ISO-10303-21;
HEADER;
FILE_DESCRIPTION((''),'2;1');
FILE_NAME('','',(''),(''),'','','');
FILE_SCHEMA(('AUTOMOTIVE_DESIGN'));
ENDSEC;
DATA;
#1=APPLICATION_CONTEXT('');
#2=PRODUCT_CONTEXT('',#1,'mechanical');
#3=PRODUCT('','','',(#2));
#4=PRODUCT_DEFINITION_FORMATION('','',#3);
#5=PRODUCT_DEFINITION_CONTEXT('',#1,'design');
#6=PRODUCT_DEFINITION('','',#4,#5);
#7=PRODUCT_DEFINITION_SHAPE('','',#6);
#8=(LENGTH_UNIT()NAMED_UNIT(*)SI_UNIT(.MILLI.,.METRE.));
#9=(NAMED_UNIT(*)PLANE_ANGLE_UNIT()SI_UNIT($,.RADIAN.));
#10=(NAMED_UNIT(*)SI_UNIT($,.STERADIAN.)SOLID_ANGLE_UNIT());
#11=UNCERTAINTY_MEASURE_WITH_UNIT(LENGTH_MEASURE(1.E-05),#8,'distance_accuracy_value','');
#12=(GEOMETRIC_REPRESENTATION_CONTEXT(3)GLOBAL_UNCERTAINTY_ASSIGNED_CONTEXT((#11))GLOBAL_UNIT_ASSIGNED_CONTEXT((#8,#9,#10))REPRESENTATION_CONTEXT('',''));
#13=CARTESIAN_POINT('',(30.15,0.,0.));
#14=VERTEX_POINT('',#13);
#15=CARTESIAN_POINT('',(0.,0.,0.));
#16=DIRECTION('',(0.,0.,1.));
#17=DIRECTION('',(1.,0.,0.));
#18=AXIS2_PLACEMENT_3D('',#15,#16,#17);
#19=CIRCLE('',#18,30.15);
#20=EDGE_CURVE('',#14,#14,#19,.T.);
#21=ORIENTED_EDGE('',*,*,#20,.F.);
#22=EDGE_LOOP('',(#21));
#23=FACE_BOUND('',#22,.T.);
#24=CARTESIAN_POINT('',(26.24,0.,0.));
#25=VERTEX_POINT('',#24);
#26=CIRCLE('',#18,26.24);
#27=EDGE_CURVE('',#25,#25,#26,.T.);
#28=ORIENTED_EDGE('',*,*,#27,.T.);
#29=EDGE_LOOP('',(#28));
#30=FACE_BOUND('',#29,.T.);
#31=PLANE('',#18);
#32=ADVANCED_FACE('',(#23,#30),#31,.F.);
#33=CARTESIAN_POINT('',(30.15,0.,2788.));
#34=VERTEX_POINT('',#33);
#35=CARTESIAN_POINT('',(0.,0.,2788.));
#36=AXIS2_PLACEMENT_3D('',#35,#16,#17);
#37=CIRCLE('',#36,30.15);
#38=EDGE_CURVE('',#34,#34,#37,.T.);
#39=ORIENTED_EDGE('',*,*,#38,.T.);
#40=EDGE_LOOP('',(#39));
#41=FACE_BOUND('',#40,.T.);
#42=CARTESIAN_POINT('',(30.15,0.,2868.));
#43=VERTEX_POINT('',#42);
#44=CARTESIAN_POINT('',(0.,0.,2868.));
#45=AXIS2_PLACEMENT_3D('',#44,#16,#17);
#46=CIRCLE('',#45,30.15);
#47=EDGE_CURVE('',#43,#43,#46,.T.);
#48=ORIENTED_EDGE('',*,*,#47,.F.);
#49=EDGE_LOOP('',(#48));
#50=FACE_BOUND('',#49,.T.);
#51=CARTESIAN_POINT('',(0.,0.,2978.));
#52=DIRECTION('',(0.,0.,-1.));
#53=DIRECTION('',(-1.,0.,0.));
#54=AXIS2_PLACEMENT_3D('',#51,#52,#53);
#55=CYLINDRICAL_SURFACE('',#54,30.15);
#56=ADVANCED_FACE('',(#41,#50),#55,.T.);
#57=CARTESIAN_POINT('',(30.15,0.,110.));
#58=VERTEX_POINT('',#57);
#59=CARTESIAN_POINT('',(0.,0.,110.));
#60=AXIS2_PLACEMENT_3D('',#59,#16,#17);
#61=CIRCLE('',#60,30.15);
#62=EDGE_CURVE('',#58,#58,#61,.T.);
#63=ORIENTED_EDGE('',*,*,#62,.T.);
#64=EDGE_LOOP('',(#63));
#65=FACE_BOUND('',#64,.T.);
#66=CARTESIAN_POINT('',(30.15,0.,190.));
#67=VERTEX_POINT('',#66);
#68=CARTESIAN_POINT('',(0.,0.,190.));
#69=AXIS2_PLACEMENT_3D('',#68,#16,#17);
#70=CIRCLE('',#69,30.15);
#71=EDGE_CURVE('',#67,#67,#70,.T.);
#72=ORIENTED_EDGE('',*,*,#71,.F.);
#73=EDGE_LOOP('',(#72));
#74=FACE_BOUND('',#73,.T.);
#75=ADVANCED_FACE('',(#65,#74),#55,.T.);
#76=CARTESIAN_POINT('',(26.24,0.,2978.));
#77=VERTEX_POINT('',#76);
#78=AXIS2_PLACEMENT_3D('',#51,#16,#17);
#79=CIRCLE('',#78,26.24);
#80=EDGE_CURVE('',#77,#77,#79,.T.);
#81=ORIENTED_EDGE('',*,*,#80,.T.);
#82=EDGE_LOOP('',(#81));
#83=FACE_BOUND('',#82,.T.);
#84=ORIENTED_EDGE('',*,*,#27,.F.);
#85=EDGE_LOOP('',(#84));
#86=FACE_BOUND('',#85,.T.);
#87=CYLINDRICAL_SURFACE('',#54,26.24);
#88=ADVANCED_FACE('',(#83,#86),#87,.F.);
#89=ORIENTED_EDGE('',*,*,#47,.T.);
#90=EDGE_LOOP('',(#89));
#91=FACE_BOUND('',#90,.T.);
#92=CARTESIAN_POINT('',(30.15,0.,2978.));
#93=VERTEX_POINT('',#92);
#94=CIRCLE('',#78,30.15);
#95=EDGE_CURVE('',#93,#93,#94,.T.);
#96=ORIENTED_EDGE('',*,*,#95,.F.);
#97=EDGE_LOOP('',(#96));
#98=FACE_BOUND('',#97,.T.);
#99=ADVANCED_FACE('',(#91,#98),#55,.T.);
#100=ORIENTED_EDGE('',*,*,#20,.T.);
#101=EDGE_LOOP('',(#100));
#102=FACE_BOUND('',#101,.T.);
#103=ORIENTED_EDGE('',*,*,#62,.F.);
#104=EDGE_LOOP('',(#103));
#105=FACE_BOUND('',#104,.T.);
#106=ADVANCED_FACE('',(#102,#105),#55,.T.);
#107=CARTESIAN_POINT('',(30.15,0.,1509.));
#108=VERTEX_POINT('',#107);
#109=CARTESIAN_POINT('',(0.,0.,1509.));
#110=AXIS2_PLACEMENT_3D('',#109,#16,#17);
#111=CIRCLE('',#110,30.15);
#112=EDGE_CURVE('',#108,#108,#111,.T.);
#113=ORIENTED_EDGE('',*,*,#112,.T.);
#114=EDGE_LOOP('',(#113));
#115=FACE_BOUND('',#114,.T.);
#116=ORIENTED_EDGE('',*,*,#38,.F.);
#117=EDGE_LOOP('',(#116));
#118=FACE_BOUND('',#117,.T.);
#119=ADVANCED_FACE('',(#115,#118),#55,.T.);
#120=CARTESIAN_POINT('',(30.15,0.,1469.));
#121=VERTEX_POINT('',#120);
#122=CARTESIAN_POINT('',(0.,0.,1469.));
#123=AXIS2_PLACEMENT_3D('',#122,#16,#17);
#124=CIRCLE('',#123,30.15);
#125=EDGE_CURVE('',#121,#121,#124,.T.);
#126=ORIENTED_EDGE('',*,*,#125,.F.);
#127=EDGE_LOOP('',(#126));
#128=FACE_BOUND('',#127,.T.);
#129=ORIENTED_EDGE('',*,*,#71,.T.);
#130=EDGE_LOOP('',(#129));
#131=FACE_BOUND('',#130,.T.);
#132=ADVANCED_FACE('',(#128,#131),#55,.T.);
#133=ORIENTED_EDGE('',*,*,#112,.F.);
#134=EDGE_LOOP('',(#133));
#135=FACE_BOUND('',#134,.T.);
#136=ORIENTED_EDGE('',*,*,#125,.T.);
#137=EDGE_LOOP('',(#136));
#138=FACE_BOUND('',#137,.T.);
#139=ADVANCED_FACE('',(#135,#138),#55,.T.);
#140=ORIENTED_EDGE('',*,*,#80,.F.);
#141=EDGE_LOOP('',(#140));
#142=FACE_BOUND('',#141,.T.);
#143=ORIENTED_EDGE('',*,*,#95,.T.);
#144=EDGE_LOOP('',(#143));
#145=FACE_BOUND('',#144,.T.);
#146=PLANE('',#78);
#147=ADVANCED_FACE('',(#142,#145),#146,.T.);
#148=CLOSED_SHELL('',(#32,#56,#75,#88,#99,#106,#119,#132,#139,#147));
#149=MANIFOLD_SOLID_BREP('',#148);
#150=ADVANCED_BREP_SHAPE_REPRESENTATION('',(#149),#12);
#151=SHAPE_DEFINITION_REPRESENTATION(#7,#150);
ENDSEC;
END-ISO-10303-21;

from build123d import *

# Parameters (mm, degrees)
PIPE_SECTION_60_3_X_3_91_R   = 30.15
PIPE_SECTION_60_3_X_3_91_R_2 = 26.24
GUIDE_POLE_2IN_SCH_40S_DEPTH = 2978


with BuildPart() as part:
    # Pipe section 60.3 x 3.91 → Guide pole 2in Sch 40S (new body)
    with BuildSketch(Plane.XY):
        Circle(PIPE_SECTION_60_3_X_3_91_R)
        Circle(PIPE_SECTION_60_3_X_3_91_R_2, mode=Mode.SUBTRACT)
    extrude(amount=GUIDE_POLE_2IN_SCH_40S_DEPTH)


solid = part.part
